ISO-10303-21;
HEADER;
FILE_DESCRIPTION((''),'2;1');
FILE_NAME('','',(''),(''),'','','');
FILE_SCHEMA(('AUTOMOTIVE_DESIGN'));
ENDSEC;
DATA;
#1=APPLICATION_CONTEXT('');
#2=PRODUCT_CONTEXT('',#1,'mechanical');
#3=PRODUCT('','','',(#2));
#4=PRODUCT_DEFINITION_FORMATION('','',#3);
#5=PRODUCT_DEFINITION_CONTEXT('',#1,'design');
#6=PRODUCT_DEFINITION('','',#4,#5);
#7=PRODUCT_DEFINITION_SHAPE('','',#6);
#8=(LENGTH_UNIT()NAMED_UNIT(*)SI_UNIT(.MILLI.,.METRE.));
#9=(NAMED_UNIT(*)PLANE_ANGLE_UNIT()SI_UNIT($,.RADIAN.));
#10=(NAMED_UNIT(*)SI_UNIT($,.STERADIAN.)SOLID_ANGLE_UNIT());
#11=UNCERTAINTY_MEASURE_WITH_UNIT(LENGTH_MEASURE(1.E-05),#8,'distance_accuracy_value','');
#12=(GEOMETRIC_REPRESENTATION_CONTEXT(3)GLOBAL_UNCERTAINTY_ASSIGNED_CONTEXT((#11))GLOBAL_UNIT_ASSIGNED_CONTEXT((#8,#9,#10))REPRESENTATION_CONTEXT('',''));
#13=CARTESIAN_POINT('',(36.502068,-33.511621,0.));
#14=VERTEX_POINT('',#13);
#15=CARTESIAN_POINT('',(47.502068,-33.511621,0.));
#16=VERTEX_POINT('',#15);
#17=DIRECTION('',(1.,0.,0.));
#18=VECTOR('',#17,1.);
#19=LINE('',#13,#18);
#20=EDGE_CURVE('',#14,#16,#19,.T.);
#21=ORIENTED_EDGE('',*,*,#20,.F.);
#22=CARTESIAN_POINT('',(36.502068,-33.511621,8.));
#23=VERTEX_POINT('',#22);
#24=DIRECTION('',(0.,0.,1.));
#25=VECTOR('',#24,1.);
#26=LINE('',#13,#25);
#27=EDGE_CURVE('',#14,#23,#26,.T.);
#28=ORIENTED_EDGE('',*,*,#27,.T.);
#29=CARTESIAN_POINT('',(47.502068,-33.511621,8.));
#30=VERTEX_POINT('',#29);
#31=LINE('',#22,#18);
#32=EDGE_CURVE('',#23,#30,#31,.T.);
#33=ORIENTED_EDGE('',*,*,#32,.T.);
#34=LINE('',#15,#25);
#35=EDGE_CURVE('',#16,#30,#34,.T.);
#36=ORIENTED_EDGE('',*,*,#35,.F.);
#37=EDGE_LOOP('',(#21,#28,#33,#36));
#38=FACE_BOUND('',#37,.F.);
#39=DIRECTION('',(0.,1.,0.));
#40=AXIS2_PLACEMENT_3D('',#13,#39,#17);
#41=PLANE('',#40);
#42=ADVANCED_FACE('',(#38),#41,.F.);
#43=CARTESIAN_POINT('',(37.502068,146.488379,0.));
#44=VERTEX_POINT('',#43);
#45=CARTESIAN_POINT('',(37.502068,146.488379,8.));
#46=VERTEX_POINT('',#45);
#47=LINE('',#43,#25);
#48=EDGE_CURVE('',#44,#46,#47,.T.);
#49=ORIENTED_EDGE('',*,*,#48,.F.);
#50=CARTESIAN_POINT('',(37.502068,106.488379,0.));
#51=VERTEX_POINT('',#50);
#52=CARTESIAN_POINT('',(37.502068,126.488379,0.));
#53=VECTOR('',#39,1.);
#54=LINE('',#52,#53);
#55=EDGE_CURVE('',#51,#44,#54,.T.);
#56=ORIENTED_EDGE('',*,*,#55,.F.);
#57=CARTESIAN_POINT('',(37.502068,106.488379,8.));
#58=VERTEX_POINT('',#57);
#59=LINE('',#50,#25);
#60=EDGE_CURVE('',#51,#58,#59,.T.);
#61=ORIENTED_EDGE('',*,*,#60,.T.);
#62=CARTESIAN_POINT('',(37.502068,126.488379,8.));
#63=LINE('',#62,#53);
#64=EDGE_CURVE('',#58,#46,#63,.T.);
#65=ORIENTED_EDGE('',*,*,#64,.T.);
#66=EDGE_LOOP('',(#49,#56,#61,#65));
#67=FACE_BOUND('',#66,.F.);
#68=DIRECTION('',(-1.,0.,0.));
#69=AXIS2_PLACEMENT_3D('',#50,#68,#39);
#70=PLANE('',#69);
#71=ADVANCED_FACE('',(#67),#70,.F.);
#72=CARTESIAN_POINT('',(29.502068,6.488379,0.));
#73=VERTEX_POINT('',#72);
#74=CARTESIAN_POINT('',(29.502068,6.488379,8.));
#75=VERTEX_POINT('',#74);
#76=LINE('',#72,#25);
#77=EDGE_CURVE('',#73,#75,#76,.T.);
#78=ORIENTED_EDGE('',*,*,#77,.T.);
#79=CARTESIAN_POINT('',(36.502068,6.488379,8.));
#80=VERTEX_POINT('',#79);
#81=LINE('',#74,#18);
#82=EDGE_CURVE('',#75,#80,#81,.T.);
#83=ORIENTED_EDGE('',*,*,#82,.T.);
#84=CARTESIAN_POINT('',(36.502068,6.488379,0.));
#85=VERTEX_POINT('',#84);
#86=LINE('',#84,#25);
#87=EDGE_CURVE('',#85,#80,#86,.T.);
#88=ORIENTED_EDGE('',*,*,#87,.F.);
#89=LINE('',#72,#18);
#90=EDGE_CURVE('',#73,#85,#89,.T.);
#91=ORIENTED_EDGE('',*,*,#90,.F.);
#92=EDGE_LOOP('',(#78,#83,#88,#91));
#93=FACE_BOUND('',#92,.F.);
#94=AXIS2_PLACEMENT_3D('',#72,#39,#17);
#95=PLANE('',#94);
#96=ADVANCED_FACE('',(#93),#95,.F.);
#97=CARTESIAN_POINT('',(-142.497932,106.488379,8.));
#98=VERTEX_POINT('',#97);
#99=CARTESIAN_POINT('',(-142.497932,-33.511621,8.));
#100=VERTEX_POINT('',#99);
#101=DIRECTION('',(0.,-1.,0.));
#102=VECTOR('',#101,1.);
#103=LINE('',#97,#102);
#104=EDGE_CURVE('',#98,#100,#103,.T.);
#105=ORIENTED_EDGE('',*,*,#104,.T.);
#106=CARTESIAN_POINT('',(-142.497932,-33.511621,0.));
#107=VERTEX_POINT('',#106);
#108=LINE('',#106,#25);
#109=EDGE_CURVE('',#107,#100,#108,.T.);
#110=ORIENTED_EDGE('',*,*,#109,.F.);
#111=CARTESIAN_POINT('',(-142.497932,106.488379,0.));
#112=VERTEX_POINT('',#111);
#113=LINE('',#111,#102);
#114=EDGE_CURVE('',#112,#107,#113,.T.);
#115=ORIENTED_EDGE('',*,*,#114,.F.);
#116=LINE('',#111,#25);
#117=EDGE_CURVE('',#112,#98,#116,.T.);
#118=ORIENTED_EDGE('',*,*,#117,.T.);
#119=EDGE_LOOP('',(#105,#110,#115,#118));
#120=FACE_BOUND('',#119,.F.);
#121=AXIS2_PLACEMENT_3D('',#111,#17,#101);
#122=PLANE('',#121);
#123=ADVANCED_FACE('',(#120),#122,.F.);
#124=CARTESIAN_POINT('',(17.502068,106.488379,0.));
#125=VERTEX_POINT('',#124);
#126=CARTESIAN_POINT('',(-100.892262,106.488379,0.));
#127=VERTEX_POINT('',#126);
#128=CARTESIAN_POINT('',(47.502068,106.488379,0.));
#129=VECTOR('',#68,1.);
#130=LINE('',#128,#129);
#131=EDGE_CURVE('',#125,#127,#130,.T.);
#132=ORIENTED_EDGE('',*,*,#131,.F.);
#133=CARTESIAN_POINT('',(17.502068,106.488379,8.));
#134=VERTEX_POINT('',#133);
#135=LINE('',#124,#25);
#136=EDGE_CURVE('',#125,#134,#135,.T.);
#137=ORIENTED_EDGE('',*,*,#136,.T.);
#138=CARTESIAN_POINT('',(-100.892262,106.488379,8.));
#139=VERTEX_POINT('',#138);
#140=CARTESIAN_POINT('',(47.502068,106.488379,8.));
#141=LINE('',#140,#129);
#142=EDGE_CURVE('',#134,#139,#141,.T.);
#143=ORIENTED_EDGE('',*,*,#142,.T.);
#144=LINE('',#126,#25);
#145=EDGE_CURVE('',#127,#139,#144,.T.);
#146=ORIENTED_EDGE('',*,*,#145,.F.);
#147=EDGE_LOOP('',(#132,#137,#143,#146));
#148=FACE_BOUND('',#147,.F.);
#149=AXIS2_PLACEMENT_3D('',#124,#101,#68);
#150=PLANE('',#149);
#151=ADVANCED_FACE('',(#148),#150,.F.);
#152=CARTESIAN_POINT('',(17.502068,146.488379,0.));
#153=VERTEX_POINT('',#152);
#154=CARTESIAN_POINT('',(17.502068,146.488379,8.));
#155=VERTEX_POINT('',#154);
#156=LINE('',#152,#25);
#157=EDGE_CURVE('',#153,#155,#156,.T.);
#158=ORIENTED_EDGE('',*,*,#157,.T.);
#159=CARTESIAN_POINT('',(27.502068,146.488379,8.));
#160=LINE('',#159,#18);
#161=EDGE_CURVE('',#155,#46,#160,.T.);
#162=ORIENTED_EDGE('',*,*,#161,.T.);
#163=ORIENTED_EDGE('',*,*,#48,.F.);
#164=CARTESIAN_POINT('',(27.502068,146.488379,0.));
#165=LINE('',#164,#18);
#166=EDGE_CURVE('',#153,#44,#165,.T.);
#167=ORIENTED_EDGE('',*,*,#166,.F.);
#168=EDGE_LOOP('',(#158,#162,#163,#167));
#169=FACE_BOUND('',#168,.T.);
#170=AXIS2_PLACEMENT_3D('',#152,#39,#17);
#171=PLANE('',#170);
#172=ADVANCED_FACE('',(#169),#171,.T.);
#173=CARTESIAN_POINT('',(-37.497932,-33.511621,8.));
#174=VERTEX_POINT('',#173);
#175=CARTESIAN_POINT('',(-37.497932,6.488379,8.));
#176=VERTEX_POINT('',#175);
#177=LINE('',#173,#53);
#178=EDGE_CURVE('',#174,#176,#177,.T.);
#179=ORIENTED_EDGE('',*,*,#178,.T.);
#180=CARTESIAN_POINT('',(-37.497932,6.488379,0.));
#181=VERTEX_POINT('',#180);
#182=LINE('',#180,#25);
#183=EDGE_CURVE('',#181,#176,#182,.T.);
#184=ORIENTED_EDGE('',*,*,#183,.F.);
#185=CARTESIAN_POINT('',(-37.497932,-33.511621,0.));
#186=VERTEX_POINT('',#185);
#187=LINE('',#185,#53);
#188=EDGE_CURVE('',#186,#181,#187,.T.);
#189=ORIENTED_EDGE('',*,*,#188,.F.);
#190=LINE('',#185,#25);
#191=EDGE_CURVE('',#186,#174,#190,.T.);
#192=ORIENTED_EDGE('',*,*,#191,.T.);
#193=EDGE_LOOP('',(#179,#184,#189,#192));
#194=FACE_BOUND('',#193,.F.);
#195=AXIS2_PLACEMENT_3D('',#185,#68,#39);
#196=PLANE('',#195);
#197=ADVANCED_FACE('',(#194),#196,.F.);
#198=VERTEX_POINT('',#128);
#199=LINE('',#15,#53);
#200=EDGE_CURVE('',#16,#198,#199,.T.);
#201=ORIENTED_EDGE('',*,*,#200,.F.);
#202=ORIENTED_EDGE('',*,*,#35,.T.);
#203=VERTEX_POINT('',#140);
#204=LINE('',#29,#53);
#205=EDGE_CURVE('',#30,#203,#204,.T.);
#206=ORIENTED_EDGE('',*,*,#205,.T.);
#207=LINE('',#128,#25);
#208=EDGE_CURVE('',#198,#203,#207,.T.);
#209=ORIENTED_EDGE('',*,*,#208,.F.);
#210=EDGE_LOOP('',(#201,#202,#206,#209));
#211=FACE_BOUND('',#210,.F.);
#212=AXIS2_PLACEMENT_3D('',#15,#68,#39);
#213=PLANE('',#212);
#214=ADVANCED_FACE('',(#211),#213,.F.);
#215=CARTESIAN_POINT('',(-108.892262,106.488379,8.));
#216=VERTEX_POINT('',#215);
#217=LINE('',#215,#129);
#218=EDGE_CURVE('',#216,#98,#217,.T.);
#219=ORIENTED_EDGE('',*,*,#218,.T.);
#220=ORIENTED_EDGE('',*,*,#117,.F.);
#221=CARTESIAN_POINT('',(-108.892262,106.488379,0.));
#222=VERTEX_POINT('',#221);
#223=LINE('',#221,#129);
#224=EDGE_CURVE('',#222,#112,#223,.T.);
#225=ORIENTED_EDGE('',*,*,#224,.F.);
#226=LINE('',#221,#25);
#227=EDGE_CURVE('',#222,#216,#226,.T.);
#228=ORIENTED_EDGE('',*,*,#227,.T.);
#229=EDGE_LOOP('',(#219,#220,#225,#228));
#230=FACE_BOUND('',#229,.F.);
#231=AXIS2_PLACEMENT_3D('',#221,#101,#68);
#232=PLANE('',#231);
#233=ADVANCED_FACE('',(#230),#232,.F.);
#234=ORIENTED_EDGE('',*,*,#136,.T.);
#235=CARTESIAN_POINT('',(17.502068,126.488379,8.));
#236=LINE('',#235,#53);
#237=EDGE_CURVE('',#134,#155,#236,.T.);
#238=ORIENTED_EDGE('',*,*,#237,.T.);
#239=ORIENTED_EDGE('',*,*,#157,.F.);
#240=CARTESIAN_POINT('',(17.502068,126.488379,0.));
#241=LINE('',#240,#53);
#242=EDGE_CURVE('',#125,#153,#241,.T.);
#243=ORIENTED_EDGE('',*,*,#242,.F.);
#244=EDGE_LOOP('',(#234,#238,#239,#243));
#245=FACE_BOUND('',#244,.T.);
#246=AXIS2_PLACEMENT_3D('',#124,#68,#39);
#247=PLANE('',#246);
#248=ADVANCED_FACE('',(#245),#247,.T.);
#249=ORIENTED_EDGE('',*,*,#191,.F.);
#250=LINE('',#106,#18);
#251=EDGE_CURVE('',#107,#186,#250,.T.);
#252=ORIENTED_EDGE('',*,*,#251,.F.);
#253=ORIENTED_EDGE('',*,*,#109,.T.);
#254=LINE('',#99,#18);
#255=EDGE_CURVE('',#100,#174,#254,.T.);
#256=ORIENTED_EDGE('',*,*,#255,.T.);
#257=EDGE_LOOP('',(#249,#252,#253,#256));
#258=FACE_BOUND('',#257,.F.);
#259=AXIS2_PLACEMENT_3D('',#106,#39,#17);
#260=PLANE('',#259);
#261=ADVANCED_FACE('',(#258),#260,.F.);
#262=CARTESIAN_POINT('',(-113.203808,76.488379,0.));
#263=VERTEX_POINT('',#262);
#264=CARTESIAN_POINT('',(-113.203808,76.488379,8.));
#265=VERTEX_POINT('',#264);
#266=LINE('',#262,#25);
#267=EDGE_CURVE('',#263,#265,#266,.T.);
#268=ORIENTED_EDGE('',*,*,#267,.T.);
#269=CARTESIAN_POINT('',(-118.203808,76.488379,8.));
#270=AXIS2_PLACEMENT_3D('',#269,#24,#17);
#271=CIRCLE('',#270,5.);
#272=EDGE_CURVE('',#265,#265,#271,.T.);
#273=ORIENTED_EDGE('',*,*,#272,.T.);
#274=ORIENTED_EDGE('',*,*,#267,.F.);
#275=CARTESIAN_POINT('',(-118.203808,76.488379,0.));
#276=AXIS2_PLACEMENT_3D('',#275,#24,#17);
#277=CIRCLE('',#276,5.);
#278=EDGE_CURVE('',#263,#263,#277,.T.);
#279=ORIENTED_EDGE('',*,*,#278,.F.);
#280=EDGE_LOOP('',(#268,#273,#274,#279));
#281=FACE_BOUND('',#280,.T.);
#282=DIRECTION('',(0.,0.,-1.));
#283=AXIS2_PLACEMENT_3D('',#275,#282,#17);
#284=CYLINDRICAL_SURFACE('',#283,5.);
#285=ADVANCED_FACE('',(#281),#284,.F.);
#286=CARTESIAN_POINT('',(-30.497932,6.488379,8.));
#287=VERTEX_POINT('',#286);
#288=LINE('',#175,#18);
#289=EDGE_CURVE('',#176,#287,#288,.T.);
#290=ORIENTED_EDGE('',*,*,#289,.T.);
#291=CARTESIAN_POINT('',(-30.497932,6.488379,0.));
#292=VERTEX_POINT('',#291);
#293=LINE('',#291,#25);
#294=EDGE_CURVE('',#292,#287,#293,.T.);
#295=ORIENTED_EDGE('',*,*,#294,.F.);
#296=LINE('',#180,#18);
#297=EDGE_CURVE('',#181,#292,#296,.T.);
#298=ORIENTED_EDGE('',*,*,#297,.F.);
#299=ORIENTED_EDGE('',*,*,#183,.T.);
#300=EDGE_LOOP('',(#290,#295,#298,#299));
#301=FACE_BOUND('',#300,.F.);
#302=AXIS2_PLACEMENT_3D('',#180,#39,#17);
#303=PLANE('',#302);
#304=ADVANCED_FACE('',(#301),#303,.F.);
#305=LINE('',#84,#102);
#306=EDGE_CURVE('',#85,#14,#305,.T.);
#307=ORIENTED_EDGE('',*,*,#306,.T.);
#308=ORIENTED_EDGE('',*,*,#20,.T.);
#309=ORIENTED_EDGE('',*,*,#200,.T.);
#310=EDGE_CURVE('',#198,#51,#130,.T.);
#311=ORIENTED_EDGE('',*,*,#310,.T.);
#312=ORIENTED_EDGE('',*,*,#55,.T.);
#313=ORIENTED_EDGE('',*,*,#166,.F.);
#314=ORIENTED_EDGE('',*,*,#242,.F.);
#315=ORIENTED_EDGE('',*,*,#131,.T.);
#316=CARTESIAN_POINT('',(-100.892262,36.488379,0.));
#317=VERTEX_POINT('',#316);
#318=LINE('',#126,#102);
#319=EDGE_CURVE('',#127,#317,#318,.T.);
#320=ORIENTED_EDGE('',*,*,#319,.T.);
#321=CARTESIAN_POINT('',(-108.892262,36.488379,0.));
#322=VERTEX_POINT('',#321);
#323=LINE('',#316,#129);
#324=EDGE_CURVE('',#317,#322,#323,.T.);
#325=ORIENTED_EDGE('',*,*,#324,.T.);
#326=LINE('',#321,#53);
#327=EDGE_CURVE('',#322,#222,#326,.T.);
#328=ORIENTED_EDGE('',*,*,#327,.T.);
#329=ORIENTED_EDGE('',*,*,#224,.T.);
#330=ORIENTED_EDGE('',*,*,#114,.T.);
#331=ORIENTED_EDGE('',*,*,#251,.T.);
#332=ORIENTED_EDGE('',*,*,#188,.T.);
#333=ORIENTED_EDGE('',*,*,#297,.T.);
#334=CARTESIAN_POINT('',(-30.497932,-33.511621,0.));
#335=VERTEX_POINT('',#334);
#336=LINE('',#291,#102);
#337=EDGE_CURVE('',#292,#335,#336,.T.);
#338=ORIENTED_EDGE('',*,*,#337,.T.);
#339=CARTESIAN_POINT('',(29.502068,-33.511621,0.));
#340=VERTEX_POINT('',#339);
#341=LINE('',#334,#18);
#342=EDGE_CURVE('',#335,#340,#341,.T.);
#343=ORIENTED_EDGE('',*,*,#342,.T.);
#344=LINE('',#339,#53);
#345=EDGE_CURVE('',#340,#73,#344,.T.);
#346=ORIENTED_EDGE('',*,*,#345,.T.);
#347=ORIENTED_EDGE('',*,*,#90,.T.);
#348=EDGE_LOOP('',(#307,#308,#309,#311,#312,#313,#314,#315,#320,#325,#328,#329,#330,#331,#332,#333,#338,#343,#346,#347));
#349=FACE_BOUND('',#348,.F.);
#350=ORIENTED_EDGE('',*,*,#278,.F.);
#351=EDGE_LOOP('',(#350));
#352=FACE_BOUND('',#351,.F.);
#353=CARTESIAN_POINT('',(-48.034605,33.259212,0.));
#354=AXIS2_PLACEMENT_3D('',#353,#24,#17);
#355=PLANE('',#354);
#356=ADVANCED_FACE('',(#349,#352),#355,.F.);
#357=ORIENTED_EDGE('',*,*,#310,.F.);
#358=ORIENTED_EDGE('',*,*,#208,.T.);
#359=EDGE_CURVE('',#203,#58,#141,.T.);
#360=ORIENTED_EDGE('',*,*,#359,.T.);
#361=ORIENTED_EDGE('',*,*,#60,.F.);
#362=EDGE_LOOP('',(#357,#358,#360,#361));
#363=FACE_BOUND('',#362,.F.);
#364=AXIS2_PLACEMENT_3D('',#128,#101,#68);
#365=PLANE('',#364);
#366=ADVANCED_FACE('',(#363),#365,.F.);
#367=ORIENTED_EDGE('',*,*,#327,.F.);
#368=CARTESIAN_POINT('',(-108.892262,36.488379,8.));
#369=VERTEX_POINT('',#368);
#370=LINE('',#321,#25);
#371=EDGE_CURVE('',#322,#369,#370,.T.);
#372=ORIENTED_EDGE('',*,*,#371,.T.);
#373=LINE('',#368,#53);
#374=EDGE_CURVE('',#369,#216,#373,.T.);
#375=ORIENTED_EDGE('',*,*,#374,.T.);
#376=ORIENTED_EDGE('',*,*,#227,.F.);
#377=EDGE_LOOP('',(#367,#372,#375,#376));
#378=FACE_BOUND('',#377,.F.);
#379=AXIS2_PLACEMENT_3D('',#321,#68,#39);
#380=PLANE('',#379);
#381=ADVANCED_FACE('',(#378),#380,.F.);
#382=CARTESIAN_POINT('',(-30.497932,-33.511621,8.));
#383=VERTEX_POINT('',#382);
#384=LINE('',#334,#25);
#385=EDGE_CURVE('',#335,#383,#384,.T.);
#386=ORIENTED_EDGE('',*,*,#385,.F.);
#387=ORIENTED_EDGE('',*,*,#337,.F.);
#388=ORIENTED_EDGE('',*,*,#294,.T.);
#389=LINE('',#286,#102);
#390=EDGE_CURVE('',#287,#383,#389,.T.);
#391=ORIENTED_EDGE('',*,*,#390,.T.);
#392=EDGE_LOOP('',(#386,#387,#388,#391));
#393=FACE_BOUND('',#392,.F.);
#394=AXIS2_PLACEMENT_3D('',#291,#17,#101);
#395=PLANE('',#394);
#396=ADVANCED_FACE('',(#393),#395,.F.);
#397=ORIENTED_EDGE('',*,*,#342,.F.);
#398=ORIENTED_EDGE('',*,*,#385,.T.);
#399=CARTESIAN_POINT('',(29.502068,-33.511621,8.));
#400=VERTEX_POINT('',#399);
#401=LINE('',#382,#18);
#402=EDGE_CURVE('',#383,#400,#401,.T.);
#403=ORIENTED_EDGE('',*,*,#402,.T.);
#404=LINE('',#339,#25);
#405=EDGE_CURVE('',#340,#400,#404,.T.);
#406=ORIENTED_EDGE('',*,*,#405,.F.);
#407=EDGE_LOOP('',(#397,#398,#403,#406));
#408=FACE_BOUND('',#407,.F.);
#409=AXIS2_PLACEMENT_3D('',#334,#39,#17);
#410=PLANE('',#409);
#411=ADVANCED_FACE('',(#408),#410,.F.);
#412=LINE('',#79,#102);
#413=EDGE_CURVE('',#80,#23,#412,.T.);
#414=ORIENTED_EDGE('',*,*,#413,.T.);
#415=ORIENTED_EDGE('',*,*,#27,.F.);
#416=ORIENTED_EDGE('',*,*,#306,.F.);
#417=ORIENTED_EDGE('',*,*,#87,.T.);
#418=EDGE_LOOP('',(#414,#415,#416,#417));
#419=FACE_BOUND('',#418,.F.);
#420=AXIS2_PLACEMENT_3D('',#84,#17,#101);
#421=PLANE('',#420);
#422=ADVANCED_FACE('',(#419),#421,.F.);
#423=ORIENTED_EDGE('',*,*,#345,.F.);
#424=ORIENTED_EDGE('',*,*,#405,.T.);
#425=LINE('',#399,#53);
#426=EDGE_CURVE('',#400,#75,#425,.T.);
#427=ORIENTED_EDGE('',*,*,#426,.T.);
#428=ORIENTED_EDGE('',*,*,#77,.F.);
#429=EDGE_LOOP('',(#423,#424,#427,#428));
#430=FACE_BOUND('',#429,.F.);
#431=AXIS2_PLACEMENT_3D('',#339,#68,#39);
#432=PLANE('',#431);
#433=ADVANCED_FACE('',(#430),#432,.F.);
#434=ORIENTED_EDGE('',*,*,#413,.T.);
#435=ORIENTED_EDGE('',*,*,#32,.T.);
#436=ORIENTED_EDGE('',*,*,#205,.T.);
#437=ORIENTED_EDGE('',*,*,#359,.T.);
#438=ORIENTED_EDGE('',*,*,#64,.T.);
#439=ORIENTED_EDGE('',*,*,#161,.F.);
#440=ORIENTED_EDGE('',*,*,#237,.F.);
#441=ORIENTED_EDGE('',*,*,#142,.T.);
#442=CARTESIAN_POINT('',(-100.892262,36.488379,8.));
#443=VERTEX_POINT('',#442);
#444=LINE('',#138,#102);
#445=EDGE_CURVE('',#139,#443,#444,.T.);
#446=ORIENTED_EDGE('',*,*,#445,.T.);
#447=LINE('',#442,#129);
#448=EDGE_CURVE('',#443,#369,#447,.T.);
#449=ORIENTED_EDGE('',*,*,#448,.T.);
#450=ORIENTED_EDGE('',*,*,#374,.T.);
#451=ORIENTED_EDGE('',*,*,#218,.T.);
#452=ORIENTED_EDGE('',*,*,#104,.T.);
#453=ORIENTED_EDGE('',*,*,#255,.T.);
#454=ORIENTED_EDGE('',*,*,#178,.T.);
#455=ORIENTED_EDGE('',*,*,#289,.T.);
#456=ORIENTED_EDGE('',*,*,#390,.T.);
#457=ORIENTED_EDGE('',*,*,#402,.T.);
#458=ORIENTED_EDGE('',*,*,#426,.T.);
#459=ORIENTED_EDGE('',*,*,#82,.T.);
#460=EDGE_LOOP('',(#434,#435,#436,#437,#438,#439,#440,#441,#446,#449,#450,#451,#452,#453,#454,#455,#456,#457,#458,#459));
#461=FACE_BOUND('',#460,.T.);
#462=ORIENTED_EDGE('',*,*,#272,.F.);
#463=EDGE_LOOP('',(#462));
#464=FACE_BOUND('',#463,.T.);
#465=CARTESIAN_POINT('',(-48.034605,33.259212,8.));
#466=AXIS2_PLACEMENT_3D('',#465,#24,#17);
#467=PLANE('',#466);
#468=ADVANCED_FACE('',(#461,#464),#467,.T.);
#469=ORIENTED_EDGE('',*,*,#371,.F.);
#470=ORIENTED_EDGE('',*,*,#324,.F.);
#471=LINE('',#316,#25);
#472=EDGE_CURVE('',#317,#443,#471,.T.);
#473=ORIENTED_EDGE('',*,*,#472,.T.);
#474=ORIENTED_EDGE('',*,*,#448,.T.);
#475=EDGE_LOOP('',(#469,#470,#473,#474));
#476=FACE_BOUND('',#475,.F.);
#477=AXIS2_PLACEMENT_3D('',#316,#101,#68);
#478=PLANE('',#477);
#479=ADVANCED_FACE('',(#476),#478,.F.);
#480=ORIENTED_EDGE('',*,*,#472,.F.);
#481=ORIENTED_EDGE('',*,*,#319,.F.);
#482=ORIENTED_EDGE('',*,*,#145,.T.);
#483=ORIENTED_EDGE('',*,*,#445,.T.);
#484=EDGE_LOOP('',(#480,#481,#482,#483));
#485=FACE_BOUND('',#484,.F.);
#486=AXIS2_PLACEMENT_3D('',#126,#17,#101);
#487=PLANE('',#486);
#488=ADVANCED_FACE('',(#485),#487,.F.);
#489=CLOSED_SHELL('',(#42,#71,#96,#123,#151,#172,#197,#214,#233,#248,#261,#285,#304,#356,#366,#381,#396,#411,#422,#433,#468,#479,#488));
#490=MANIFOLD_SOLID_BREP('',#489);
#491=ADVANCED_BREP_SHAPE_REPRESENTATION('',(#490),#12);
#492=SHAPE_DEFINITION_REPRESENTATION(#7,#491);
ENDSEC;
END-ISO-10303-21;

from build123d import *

# Parameters (mm, degrees)
F0_R     = 5
F0_W     = 20
F0_H     = 40
F1_DEPTH = 8


with BuildPart() as f1:
    # F0 (on Top) → F1 (new body)
    with BuildSketch(Plane.XY):
        Polygon((-108.892262, 106.488379), (-142.497932, 106.488379), (-142.497932, -33.511621), (-37.497932, -33.511621), (-37.497932, 6.488379), (-30.497932, 6.488379), (-30.497932, -33.511621), (29.502068, -33.511621), (29.502068, 6.488379), (36.502068, 6.488379), (36.502068, -33.511621), (47.502068, -33.511621), (47.502068, 106.488379), (37.502068, 106.488379), (17.502068, 106.488379), (-100.892262, 106.488379), (-100.892262, 36.488379), (-108.892262, 36.488379), align=None)
        with Locations((-118.203808, 76.488379)):
            Circle(F0_R, mode=Mode.SUBTRACT)
        with Locations((27.502068, 126.488379)):
            Rectangle(F0_W, F0_H)
    extrude(amount=F1_DEPTH)


solid = f1.part
